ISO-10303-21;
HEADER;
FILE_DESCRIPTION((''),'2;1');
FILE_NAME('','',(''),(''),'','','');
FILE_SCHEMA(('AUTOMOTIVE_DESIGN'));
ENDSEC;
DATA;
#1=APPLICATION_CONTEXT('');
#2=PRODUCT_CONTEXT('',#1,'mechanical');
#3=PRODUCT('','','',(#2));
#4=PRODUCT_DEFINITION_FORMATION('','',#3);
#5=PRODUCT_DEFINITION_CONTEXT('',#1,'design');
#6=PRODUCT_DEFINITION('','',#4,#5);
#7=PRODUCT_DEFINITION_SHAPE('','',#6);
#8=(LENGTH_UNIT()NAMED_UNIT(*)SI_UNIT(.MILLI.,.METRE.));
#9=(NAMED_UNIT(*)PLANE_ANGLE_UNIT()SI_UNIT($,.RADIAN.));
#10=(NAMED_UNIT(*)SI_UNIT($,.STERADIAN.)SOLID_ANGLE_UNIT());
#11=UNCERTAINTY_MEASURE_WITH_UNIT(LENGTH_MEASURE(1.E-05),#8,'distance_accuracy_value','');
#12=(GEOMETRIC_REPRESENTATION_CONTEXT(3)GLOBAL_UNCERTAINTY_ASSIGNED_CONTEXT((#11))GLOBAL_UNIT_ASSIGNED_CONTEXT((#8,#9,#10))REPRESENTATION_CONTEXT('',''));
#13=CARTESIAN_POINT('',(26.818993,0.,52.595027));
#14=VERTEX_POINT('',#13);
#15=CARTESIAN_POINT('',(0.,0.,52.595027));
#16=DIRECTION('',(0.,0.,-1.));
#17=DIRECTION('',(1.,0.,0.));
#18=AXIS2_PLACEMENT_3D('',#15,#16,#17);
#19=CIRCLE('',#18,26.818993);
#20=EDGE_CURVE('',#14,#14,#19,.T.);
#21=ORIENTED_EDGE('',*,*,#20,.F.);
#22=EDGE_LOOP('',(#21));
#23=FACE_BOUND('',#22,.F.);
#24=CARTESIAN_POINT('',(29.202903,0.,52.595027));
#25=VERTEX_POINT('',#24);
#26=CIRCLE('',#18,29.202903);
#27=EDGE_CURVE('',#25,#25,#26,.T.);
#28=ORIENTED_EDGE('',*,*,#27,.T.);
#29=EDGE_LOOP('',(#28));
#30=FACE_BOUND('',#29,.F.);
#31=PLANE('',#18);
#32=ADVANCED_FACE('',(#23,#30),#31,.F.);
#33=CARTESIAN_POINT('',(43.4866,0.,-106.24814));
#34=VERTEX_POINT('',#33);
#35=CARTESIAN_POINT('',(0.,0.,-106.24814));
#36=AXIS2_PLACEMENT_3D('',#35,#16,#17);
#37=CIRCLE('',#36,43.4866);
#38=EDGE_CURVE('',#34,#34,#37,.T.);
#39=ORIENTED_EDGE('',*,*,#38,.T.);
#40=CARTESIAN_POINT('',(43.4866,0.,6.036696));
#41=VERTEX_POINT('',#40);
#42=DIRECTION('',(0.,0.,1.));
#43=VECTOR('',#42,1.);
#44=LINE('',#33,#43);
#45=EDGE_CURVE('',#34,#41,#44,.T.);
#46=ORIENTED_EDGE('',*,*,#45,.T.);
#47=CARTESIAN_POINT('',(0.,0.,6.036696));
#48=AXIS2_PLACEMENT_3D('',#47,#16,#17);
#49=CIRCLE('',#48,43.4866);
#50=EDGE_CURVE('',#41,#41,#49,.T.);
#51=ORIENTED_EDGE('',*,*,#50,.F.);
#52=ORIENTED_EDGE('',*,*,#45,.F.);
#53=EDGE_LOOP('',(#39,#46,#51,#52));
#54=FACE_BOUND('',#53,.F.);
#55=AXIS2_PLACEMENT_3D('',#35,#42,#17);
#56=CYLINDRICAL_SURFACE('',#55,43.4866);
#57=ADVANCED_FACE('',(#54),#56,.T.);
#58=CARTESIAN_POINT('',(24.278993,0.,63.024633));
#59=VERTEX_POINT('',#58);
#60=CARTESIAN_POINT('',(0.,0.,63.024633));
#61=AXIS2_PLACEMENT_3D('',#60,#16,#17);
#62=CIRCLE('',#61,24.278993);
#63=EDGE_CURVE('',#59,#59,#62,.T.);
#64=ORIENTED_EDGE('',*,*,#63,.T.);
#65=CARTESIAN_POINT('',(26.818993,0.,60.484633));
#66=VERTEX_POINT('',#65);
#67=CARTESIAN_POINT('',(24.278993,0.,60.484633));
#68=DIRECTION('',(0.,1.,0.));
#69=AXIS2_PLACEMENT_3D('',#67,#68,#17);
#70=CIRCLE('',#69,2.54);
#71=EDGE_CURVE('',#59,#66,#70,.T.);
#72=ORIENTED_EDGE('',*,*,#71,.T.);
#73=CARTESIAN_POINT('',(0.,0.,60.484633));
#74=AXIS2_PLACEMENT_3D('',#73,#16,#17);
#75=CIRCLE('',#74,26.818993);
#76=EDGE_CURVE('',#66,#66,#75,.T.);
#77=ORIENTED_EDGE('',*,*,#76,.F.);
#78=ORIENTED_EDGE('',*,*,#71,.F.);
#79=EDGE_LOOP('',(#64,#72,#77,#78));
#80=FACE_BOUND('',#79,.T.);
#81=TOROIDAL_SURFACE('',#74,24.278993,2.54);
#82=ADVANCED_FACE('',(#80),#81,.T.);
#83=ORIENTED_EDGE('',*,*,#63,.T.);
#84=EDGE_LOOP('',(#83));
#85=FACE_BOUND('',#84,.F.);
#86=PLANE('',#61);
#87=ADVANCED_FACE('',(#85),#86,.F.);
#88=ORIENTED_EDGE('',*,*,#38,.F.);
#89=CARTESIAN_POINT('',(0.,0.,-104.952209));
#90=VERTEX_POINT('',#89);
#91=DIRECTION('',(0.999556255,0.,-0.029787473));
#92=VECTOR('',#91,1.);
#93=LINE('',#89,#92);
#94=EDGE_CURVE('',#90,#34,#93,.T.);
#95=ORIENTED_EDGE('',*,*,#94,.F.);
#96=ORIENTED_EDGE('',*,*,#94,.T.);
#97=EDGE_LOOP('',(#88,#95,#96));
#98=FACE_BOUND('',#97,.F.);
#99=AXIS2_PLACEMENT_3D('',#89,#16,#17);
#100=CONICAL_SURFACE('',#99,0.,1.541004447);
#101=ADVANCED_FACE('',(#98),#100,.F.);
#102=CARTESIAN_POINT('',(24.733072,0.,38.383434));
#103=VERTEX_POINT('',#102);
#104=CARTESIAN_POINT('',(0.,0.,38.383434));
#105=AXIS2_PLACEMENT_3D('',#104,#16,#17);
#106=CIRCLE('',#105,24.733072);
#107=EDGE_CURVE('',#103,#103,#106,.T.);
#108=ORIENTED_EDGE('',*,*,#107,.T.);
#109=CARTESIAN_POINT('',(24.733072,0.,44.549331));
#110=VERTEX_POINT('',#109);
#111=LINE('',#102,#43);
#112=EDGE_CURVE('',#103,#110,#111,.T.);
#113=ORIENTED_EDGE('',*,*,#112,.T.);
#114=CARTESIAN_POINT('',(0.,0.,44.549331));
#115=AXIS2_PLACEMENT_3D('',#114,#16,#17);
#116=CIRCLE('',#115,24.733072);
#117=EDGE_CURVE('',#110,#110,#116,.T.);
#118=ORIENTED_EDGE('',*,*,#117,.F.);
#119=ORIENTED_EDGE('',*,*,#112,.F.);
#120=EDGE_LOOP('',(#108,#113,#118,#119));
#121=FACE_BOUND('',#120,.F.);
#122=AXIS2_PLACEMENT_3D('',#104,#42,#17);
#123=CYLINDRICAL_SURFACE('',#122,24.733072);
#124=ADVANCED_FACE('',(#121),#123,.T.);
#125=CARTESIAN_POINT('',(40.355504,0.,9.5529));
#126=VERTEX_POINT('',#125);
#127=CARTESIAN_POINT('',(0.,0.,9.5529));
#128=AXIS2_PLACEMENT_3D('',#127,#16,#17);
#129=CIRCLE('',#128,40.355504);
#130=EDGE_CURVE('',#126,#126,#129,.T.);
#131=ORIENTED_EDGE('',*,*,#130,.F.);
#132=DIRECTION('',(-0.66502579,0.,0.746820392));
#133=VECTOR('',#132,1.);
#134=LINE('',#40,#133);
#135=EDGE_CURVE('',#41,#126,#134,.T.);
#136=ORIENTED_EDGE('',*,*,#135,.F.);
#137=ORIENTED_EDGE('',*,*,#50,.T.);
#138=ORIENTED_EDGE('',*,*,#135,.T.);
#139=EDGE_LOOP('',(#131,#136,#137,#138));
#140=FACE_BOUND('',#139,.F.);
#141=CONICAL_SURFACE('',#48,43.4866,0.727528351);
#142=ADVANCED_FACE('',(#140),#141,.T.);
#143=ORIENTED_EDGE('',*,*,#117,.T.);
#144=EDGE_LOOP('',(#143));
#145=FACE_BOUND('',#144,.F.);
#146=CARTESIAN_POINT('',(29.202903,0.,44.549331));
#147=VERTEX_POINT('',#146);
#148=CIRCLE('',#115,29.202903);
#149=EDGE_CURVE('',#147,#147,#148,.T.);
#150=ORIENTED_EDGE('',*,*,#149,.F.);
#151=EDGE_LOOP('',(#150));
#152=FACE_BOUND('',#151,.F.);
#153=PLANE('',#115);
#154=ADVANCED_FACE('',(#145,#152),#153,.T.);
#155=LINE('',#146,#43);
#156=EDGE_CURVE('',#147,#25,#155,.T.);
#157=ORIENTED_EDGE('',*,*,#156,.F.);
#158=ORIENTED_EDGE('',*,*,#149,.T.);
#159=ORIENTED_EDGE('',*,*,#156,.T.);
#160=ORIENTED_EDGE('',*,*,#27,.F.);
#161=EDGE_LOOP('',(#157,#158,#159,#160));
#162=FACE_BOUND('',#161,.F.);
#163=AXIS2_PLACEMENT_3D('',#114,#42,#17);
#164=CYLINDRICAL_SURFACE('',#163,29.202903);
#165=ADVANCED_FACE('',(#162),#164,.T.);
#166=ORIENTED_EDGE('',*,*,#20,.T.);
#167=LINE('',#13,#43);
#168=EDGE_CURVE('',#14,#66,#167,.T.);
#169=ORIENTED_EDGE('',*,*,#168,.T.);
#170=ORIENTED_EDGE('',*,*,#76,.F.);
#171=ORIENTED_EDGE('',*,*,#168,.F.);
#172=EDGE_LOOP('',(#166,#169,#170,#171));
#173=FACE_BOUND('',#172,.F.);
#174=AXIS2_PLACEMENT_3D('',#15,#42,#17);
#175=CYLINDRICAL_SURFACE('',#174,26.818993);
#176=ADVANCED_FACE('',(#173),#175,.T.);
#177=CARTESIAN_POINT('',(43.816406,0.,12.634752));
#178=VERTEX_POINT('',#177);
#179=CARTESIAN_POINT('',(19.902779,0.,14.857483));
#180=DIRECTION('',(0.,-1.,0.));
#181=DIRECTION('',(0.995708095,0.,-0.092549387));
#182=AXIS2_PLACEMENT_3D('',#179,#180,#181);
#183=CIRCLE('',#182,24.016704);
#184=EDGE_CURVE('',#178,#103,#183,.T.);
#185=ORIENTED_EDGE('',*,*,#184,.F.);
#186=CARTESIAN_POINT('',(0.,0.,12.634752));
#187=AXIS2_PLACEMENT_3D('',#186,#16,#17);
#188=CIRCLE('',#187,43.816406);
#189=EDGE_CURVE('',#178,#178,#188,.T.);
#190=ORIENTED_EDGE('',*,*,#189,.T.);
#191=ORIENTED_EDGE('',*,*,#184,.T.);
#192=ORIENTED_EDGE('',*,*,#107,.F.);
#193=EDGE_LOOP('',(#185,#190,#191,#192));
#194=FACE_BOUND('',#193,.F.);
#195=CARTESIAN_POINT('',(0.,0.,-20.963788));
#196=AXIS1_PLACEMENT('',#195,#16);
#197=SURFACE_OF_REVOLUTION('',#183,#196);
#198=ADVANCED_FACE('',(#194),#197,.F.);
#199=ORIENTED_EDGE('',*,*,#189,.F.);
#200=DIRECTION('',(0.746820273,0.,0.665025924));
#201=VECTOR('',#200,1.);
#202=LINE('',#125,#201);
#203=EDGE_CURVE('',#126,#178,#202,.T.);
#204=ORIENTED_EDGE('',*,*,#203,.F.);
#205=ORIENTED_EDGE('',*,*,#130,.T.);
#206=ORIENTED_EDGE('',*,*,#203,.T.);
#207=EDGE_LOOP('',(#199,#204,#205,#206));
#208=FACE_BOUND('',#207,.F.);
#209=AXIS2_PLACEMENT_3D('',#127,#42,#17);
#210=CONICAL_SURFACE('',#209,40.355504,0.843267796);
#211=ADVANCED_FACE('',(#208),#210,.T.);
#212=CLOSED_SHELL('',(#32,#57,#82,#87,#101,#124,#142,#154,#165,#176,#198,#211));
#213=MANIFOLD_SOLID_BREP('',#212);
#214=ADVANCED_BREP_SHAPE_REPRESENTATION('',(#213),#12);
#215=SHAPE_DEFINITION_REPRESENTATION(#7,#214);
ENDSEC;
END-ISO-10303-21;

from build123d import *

# Parameters (mm, degrees)
F2_R = 2.54


with BuildPart() as f1:
    # F0 (on Front) → F1 (revolve)
    with BuildSketch(Plane.XZ):
        with BuildLine():
            Line((26.818993, 63.024633), (0, 63.024633))
            Line((0, 63.024633), (0, -104.952209))
            Line((0, -104.952209), (43.4866, -106.24814))
            Line((43.4866, -106.24814), (43.4866, 6.036696))
            Line((43.4866, 6.036696), (40.355504, 9.5529))
            Line((40.355504, 9.5529), (43.816406, 12.634752))
            ThreePointArc((43.816406, 12.634752), (39.197905, 29.15784), (24.733072, 38.383434))
            Line((24.733072, 38.383434), (24.733072, 44.549331))
            Line((24.733072, 44.549331), (29.202903, 44.549331))
            Line((29.202903, 44.549331), (29.202903, 50.211117))
            Line((29.202903, 50.211117), (29.202903, 52.595027))
            Line((29.202903, 52.595027), (26.818993, 52.595027))
            Line((26.818993, 52.595027), (26.818993, 63.024633))
        make_face()
    revolve(axis=Axis((0, 0, -20.963788), (0, 0, -1)))

    # F2
    f2_edges = [f1.edges().sort_by_distance(p)[0] for p in [
        (-26.818993, 0, 63.024633),
    ]]
    fillet(f2_edges, radius=F2_R)


solid = f1.part
